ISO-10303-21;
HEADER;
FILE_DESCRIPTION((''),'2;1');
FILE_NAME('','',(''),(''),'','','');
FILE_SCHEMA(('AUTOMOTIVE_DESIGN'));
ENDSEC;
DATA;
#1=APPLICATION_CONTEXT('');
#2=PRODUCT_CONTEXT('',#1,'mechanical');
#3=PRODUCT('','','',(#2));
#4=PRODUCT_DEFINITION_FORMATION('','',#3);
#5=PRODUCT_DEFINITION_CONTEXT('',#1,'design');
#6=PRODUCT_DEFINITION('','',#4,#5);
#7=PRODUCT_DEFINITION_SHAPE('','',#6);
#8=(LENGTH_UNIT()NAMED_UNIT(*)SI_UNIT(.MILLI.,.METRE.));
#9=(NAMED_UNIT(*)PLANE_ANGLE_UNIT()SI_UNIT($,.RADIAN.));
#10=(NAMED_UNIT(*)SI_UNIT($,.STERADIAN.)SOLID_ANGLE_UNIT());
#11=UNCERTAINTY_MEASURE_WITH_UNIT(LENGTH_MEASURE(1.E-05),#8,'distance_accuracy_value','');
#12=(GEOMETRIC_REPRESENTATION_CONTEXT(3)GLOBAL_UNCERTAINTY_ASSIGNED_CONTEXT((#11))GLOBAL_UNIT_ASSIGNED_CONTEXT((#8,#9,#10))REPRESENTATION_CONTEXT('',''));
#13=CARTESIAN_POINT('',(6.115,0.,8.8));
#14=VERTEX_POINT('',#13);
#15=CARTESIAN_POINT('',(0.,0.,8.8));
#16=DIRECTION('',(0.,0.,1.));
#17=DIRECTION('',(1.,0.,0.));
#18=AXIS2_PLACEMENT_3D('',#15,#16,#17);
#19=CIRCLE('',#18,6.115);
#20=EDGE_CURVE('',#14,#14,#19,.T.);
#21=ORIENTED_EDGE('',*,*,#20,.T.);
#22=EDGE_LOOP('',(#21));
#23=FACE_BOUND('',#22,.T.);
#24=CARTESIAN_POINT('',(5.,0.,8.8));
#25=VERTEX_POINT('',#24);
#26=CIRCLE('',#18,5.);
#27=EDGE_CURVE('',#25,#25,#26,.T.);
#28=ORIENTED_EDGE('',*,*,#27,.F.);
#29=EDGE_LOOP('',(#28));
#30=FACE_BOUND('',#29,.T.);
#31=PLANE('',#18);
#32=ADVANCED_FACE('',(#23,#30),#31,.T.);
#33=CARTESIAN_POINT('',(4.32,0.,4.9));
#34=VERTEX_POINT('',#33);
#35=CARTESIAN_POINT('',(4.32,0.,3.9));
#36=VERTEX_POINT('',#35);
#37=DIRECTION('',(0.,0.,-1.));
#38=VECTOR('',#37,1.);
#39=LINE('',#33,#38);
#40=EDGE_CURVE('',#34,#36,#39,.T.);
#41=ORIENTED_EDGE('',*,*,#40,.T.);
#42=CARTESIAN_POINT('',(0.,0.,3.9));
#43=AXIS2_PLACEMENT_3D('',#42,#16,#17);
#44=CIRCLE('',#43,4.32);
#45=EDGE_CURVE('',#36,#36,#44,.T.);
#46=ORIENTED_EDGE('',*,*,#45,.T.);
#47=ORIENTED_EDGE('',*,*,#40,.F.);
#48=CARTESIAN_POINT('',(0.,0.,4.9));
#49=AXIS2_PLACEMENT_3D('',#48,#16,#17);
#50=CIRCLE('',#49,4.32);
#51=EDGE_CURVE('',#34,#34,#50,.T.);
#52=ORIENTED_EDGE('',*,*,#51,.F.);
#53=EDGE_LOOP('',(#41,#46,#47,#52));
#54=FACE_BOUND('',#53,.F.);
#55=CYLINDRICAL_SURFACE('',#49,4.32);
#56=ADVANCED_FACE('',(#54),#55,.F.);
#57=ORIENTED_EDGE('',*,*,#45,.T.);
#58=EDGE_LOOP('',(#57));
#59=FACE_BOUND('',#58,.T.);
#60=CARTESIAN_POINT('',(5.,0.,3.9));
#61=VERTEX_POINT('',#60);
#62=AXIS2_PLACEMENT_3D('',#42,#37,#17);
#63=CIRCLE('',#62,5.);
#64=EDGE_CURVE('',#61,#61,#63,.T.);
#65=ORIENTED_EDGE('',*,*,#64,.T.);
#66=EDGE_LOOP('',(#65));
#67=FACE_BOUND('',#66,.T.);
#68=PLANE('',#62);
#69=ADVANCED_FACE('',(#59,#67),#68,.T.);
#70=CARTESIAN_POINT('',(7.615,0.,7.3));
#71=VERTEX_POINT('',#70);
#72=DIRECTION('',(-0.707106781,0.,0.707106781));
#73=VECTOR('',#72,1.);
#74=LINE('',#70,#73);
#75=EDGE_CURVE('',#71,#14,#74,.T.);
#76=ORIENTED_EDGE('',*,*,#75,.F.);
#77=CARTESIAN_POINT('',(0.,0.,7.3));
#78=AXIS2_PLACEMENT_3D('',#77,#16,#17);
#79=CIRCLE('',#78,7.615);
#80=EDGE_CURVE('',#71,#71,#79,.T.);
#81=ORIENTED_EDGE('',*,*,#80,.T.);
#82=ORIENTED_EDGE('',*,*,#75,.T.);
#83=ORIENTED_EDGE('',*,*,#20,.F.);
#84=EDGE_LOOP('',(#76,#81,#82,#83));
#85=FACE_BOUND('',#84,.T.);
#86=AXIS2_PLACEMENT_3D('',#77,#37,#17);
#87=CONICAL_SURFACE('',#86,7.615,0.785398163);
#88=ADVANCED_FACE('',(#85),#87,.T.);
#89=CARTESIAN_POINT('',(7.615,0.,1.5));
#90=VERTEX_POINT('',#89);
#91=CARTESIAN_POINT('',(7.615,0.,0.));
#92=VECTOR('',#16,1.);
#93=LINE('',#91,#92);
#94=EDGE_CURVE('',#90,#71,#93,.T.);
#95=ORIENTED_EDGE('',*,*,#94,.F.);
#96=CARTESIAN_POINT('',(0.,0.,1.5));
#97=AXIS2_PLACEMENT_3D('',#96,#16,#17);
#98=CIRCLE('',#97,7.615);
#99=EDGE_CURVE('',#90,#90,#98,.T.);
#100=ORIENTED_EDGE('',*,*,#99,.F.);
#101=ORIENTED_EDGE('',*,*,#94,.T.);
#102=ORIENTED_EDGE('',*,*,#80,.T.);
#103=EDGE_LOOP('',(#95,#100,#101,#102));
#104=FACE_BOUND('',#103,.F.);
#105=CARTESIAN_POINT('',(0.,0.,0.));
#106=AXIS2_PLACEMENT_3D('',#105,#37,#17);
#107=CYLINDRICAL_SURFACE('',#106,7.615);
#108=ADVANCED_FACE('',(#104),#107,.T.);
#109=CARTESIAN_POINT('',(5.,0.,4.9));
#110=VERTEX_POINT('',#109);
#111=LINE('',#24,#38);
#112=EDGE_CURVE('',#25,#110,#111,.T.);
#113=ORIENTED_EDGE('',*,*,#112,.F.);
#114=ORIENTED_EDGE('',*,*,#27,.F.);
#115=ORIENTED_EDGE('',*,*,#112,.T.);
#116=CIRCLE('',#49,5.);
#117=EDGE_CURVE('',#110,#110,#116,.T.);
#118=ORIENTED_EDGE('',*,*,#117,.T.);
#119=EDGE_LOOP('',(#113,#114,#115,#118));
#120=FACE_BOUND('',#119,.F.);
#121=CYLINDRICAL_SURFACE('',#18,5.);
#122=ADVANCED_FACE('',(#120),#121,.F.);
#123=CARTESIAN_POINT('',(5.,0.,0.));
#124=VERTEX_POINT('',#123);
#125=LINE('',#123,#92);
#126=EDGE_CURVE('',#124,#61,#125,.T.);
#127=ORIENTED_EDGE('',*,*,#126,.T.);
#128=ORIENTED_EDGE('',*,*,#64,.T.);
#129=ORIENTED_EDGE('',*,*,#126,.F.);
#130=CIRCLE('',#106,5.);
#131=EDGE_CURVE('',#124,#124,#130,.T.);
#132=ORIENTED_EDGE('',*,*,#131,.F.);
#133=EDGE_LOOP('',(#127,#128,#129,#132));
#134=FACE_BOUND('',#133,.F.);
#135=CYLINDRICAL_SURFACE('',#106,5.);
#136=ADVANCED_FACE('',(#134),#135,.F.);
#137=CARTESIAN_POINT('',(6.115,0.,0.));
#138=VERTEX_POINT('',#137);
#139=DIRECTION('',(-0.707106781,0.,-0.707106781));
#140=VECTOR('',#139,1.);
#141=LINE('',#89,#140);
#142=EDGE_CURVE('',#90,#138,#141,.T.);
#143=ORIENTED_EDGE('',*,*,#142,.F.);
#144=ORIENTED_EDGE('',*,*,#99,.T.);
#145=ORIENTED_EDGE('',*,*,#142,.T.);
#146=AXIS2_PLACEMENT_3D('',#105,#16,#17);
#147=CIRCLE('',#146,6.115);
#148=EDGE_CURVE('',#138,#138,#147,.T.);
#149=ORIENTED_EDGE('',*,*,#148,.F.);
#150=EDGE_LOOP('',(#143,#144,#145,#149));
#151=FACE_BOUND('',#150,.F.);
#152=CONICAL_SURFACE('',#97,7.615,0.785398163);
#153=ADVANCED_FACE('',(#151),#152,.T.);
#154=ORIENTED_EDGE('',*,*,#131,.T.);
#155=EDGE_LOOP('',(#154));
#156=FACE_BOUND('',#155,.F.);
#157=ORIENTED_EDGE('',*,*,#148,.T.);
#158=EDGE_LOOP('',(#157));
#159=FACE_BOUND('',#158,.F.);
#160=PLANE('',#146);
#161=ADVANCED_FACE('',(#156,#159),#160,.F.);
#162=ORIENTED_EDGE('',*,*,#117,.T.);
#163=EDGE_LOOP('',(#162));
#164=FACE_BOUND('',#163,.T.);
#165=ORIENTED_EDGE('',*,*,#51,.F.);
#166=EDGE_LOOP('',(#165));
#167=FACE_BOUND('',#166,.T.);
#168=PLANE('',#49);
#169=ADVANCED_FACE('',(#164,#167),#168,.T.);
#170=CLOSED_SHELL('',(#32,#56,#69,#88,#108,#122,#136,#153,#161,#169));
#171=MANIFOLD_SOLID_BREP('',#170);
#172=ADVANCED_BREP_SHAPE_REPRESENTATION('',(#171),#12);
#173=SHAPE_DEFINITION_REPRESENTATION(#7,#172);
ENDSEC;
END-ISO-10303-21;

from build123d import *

# Parameters (mm, degrees)
F0_R     = 7.615
F1_DEPTH = 8.8
F2_SIZE  = 1.5
F3_R     = 5
F4_DEPTH = 3.9
F5_R     = 5
F6_DEPTH = 3.9
F7_R     = 4.32
F8_DEPTH = 25


with BuildPart() as f1:
    # F0 (on Top) → F1 (new body)
    with BuildSketch(Plane.XY):
        Circle(F0_R)
    extrude(amount=F1_DEPTH)

    # F2
    f2_edges = [f1.edges().sort_by_distance(p)[0] for p in [
        (-7.615, 0, 8.8),
        (-7.615, 0, 0),
    ]]
    chamfer(f2_edges, length=F2_SIZE)

    # F3 (on face) → F4 (cut)
    with BuildSketch(Plane(origin=(0, 0, 0), x_dir=(1, 0, 0), z_dir=(0, 0, -1))):
        Circle(F3_R)
    extrude(amount=-F4_DEPTH, mode=Mode.SUBTRACT)

    # F5 (on face) → F6 (cut)
    with BuildSketch(Plane.XY.offset(8.8)):
        Circle(F5_R)
    extrude(amount=-F6_DEPTH, mode=Mode.SUBTRACT)

    # F7 (on face) → F8 (cut)
    with BuildSketch(Plane.XY.offset(4.9)):
        Circle(F7_R)
    extrude(amount=-F8_DEPTH, mode=Mode.SUBTRACT)


solid = f1.part
